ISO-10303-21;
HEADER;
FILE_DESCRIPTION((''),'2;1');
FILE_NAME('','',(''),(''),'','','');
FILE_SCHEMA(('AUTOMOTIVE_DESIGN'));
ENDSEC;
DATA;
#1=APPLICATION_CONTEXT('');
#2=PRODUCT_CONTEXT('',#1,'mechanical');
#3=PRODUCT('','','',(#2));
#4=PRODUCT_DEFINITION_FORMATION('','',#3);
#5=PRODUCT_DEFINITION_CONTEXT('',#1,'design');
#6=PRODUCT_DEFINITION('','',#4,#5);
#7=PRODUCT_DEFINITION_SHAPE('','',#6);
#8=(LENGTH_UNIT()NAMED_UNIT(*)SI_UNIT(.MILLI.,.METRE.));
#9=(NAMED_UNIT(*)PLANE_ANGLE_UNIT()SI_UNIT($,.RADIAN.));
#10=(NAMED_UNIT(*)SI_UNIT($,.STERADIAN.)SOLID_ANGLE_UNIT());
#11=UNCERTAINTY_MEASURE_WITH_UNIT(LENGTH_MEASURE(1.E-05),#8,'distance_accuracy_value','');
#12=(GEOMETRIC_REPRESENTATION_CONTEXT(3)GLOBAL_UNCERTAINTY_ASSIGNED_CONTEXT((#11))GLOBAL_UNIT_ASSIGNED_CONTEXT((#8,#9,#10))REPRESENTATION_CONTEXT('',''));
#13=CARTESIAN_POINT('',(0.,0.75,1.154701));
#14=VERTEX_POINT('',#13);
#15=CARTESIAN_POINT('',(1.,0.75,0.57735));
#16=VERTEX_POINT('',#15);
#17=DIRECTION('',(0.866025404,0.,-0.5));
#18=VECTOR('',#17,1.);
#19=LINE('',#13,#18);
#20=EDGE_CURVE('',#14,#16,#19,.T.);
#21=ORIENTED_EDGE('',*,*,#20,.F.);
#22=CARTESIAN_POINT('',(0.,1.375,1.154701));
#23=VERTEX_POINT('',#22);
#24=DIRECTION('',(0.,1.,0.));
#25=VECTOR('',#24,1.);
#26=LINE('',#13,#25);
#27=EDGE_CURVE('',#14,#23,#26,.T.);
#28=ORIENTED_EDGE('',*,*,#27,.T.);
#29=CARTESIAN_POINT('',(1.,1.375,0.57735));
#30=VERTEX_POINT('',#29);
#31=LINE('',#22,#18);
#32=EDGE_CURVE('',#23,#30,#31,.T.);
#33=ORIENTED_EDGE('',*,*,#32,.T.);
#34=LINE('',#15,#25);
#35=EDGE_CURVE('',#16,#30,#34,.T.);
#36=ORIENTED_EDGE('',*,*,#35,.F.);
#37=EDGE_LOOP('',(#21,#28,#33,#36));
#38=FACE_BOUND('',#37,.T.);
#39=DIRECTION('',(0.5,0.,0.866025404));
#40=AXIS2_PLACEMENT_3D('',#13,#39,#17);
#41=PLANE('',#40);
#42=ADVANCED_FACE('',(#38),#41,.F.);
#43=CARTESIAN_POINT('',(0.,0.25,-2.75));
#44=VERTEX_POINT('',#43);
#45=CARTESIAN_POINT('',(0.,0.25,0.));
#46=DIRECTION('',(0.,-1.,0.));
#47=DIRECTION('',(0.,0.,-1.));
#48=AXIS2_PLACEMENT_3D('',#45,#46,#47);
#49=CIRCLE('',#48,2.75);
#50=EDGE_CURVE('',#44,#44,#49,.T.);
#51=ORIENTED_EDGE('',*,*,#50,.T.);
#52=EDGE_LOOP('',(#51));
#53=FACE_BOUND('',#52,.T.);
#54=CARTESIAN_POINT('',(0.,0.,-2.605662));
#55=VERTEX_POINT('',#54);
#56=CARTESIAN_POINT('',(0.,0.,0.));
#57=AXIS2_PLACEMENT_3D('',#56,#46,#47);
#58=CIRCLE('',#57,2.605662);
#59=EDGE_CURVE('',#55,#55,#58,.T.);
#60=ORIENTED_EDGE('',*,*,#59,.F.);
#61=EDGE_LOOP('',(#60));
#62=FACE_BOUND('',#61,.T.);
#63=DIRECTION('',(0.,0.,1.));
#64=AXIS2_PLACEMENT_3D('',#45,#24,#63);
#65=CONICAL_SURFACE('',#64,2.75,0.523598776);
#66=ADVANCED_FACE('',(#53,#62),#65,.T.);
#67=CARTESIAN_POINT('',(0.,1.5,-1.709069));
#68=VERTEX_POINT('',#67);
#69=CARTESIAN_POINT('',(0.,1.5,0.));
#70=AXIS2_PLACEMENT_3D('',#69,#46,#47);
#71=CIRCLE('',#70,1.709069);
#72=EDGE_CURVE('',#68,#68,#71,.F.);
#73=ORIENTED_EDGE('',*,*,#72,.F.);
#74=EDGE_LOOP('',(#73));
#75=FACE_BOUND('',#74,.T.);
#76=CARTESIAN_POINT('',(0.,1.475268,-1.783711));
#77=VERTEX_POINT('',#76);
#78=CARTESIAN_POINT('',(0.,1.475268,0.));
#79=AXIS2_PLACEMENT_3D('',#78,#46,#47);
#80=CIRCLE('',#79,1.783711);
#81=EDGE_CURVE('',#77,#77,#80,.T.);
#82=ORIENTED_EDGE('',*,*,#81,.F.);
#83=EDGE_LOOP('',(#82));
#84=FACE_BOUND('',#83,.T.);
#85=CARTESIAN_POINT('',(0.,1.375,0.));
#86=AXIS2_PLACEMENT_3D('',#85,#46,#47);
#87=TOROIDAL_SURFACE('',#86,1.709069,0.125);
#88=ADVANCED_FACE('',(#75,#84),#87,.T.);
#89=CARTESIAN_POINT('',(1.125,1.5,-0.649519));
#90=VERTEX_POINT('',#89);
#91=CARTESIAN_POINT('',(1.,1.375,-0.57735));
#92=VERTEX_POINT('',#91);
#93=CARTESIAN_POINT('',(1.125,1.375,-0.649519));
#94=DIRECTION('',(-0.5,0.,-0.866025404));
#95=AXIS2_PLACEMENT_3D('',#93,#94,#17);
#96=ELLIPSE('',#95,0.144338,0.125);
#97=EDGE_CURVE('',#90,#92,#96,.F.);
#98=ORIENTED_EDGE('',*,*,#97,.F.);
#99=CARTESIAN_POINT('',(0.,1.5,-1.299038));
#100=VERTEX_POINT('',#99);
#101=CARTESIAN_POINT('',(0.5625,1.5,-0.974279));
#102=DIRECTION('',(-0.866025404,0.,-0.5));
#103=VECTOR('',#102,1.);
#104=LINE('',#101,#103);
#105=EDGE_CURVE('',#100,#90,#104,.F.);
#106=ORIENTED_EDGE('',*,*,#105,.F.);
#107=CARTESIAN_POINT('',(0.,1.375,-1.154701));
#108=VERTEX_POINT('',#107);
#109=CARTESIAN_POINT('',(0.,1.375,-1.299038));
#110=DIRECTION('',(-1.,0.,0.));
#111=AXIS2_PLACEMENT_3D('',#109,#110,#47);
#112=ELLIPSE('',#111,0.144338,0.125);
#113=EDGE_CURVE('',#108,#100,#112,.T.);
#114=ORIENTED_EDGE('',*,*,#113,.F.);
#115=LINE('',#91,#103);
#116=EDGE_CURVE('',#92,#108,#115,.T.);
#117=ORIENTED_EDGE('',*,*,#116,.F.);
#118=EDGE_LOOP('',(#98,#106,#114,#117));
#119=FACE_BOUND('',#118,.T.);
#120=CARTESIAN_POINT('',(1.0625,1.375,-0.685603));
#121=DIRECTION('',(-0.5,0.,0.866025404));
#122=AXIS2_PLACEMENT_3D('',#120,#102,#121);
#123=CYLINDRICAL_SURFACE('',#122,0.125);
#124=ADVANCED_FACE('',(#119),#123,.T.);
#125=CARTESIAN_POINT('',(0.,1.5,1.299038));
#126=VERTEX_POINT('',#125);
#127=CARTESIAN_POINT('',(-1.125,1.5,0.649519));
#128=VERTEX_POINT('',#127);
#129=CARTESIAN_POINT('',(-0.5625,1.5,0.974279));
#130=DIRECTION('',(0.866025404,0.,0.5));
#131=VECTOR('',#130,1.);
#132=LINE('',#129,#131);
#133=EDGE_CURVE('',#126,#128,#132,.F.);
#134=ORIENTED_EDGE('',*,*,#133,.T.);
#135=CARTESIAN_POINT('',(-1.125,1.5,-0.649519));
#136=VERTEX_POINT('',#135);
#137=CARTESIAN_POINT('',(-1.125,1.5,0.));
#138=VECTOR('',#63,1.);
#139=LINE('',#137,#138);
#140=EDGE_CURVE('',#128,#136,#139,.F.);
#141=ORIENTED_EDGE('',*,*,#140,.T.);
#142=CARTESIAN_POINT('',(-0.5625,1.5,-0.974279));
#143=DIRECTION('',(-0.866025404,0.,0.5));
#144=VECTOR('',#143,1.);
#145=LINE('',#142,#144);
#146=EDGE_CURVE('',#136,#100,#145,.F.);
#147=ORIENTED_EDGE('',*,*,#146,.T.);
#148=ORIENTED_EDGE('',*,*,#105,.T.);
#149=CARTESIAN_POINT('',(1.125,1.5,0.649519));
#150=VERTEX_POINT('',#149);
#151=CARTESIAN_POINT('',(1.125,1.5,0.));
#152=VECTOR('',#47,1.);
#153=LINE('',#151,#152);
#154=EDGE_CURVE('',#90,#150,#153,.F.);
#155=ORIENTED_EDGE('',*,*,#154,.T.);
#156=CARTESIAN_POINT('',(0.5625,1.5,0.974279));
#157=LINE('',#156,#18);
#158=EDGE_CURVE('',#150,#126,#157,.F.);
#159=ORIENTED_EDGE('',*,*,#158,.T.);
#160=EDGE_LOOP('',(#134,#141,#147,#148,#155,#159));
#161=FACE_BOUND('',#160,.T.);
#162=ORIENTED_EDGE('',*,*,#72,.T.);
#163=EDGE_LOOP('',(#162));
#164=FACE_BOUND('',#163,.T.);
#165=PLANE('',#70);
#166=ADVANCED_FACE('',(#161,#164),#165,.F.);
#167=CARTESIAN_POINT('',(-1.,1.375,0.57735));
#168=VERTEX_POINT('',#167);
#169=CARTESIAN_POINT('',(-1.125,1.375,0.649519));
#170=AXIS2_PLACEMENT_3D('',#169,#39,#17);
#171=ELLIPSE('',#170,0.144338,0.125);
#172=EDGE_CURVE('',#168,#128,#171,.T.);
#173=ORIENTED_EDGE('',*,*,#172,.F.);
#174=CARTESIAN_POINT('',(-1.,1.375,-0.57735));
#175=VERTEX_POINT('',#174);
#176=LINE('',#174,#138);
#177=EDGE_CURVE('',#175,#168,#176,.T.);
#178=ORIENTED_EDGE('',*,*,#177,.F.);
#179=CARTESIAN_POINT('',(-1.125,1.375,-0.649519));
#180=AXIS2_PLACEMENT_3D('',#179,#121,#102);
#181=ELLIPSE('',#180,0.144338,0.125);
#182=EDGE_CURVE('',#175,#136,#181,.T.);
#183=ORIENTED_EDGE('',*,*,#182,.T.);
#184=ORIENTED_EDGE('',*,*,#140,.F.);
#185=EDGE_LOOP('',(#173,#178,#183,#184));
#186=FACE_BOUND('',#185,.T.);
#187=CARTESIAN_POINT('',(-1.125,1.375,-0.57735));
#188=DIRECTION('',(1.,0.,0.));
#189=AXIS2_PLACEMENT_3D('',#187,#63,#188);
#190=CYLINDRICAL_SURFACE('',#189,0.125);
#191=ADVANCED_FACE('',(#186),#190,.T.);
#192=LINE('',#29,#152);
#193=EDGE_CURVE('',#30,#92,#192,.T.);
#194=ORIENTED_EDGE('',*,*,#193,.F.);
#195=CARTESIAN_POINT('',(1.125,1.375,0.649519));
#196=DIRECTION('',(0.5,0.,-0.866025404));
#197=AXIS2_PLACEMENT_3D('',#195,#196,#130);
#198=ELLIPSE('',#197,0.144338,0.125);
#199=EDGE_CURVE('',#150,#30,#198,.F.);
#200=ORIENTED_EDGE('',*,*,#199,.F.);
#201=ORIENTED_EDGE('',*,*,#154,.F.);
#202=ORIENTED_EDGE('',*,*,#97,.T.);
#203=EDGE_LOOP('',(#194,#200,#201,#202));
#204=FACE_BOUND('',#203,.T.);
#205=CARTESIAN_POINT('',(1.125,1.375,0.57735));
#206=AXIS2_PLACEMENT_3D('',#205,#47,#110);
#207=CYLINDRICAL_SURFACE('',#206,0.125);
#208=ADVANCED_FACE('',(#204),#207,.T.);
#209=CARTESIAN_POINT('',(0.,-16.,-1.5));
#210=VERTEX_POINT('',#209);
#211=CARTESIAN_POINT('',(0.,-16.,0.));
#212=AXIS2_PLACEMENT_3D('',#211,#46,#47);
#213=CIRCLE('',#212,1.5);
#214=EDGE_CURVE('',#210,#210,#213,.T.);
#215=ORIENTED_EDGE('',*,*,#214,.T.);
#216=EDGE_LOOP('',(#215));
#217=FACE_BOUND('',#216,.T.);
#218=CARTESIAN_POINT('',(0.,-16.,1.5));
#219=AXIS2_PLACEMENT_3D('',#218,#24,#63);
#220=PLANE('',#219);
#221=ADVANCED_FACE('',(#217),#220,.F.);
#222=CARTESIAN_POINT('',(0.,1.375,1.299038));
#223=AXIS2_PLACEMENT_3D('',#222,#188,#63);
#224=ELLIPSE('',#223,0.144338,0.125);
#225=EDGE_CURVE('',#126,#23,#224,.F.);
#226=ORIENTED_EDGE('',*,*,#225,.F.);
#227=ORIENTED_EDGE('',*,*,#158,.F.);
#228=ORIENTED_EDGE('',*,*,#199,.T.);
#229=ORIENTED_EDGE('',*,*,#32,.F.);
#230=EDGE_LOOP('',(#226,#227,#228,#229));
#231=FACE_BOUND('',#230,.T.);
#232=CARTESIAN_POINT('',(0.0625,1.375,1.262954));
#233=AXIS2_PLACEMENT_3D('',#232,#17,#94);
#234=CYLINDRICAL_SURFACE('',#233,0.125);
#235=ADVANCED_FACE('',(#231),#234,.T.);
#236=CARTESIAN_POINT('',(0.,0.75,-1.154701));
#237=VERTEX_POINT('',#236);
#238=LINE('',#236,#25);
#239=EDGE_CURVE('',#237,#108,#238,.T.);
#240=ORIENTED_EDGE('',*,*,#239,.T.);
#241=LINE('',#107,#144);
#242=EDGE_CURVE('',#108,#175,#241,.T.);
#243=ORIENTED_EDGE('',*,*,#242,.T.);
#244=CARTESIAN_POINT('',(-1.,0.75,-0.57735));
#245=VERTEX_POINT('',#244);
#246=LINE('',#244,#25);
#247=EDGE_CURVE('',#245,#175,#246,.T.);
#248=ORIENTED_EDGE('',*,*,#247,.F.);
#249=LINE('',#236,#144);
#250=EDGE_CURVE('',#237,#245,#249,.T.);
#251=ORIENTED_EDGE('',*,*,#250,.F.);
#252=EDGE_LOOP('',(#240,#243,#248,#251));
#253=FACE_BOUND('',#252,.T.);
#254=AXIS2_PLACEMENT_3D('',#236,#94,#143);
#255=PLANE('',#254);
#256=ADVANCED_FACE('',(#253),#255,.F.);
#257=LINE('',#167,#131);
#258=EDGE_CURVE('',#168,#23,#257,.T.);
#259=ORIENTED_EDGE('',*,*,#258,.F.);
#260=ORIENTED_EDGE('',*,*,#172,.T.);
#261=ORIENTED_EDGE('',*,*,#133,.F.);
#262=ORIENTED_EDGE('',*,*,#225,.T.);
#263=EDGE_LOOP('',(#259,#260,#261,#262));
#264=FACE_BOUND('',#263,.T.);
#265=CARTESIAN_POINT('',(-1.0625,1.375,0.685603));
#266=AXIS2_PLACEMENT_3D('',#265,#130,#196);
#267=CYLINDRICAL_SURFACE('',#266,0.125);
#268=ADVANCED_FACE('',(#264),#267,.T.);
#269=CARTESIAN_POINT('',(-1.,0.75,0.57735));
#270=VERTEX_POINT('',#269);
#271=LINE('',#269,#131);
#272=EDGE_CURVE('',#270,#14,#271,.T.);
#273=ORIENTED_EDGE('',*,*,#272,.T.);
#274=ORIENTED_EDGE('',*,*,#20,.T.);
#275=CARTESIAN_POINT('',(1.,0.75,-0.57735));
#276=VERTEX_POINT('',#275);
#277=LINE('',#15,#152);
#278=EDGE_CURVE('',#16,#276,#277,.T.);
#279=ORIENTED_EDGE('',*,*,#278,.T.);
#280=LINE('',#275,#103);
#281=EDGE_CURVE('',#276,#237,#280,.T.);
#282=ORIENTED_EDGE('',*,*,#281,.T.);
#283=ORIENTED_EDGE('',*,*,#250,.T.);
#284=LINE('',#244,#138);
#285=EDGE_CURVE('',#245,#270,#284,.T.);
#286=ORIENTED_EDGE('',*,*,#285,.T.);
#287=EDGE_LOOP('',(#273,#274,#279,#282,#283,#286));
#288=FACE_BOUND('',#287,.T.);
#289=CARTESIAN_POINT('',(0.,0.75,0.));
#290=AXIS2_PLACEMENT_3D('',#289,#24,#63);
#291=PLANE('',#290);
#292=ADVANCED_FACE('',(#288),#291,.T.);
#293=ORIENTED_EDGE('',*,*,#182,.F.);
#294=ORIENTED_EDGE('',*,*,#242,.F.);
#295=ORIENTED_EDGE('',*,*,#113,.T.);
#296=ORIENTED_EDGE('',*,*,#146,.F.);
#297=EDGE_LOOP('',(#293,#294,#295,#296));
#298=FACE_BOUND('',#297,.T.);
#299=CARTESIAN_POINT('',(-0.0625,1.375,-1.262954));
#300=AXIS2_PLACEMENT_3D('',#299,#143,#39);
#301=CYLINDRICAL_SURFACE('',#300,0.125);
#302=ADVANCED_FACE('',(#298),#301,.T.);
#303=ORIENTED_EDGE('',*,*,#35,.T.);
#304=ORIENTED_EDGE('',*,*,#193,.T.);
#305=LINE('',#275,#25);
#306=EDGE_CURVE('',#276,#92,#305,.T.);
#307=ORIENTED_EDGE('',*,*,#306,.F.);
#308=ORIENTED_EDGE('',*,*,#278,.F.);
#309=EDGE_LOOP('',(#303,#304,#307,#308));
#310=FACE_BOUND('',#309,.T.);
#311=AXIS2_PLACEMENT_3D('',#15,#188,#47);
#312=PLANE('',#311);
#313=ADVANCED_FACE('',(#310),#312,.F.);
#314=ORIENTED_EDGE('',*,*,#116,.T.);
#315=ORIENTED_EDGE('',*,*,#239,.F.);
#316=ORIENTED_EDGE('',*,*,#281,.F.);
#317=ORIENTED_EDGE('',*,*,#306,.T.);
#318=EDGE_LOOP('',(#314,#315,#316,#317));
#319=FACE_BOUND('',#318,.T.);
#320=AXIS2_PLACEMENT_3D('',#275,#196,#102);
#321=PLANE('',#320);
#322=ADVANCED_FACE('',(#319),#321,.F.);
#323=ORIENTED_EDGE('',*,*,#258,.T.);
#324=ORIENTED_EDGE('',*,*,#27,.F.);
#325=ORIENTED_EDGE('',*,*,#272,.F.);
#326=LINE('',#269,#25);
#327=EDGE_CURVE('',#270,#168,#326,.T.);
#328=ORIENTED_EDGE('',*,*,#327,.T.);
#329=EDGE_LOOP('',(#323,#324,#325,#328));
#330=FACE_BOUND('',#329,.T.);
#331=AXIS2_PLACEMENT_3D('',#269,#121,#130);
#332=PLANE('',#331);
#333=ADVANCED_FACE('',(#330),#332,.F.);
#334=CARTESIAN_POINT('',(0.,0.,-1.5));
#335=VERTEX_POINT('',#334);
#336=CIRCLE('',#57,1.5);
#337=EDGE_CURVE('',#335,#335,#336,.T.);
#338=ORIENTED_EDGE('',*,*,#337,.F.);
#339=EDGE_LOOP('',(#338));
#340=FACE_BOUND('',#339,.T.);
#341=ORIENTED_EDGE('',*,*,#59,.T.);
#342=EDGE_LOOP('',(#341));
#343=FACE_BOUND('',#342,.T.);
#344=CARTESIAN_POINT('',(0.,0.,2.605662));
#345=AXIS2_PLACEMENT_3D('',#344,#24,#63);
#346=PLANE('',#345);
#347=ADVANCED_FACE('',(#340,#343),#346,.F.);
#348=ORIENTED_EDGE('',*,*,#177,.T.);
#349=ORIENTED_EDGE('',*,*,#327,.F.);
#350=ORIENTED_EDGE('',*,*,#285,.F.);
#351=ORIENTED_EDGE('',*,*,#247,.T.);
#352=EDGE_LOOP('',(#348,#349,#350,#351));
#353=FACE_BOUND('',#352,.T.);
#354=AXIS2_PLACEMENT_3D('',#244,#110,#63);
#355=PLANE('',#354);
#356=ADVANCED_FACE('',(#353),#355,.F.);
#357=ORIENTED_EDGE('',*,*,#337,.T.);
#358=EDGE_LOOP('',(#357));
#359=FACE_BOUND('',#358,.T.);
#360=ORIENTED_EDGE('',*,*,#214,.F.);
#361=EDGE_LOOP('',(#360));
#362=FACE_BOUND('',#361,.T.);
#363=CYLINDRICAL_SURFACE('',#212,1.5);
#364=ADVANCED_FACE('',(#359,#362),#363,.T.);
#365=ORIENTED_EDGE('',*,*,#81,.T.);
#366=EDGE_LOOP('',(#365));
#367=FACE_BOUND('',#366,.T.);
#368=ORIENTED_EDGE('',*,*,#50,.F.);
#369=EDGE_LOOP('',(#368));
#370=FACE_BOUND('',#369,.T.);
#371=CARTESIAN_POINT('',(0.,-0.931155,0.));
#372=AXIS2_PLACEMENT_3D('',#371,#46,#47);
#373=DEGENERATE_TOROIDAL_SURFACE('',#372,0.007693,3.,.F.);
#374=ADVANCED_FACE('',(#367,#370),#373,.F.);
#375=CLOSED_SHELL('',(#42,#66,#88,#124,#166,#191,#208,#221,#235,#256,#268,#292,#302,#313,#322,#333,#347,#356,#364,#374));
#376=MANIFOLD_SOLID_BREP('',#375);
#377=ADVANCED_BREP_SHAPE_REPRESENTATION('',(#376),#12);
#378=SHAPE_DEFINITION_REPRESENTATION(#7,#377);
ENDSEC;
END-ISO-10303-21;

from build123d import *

# Parameters (mm, degrees)
CUT_EXTRUDE1_DEPTH = 0.75
FILLET1_R          = 0.125


with BuildPart() as part:
    # Sketch1 → Revolve1 (revolve)
    with BuildSketch(Plane(origin=(0, 0, 0), x_dir=(0, 0, -1), z_dir=(1, 0, 0))):
        with BuildLine():
            Line((0, 1.5), (-1.75, 1.5))
            ThreePointArc((-1.75, 1.5), (-2.334912942, 0.942930354), (-2.75, 0.25))
            Line((-2.75, 0.25), (-2.605662433, 0))
            Line((-2.605662433, 0), (-1.5, 0))
            Line((-1.5, 0), (-1.5, -16))
            Line((-1.5, -16), (0, -16))
            Line((0, -16), (0, 1.5))
        make_face()
    revolve(axis=Axis((0, -16, 0), (0, 1, 0)))

    # Sketch2 → Cut-Extrude1 (cut)
    with BuildSketch(Plane(origin=(0, 1.5, 0), x_dir=(1, 0, 0), z_dir=(0, 1, 0))):
        Polygon((0, 1.154700538), (-1, 0.577350269), (-1, -0.577350269), (0, -1.154700538), (1, -0.577350269), (1, 0.577350269), align=None)
    extrude(amount=-CUT_EXTRUDE1_DEPTH, mode=Mode.SUBTRACT)

    # Fillet1
    fillet1_edges = [part.edges().sort_by_distance(p)[0] for p in [
        (0.5, 1.5, -0.866025404),
        (-0.5, 1.5, -0.866025404),
        (-1, 1.5, 0),
        (-0.5, 1.5, 0.866025404),
        (0.5, 1.5, 0.866025404),
        (1, 1.5, 0),
        (0, 1.5, -1.75),
    ]]
    fillet(fillet1_edges, radius=FILLET1_R)


solid = part.part
